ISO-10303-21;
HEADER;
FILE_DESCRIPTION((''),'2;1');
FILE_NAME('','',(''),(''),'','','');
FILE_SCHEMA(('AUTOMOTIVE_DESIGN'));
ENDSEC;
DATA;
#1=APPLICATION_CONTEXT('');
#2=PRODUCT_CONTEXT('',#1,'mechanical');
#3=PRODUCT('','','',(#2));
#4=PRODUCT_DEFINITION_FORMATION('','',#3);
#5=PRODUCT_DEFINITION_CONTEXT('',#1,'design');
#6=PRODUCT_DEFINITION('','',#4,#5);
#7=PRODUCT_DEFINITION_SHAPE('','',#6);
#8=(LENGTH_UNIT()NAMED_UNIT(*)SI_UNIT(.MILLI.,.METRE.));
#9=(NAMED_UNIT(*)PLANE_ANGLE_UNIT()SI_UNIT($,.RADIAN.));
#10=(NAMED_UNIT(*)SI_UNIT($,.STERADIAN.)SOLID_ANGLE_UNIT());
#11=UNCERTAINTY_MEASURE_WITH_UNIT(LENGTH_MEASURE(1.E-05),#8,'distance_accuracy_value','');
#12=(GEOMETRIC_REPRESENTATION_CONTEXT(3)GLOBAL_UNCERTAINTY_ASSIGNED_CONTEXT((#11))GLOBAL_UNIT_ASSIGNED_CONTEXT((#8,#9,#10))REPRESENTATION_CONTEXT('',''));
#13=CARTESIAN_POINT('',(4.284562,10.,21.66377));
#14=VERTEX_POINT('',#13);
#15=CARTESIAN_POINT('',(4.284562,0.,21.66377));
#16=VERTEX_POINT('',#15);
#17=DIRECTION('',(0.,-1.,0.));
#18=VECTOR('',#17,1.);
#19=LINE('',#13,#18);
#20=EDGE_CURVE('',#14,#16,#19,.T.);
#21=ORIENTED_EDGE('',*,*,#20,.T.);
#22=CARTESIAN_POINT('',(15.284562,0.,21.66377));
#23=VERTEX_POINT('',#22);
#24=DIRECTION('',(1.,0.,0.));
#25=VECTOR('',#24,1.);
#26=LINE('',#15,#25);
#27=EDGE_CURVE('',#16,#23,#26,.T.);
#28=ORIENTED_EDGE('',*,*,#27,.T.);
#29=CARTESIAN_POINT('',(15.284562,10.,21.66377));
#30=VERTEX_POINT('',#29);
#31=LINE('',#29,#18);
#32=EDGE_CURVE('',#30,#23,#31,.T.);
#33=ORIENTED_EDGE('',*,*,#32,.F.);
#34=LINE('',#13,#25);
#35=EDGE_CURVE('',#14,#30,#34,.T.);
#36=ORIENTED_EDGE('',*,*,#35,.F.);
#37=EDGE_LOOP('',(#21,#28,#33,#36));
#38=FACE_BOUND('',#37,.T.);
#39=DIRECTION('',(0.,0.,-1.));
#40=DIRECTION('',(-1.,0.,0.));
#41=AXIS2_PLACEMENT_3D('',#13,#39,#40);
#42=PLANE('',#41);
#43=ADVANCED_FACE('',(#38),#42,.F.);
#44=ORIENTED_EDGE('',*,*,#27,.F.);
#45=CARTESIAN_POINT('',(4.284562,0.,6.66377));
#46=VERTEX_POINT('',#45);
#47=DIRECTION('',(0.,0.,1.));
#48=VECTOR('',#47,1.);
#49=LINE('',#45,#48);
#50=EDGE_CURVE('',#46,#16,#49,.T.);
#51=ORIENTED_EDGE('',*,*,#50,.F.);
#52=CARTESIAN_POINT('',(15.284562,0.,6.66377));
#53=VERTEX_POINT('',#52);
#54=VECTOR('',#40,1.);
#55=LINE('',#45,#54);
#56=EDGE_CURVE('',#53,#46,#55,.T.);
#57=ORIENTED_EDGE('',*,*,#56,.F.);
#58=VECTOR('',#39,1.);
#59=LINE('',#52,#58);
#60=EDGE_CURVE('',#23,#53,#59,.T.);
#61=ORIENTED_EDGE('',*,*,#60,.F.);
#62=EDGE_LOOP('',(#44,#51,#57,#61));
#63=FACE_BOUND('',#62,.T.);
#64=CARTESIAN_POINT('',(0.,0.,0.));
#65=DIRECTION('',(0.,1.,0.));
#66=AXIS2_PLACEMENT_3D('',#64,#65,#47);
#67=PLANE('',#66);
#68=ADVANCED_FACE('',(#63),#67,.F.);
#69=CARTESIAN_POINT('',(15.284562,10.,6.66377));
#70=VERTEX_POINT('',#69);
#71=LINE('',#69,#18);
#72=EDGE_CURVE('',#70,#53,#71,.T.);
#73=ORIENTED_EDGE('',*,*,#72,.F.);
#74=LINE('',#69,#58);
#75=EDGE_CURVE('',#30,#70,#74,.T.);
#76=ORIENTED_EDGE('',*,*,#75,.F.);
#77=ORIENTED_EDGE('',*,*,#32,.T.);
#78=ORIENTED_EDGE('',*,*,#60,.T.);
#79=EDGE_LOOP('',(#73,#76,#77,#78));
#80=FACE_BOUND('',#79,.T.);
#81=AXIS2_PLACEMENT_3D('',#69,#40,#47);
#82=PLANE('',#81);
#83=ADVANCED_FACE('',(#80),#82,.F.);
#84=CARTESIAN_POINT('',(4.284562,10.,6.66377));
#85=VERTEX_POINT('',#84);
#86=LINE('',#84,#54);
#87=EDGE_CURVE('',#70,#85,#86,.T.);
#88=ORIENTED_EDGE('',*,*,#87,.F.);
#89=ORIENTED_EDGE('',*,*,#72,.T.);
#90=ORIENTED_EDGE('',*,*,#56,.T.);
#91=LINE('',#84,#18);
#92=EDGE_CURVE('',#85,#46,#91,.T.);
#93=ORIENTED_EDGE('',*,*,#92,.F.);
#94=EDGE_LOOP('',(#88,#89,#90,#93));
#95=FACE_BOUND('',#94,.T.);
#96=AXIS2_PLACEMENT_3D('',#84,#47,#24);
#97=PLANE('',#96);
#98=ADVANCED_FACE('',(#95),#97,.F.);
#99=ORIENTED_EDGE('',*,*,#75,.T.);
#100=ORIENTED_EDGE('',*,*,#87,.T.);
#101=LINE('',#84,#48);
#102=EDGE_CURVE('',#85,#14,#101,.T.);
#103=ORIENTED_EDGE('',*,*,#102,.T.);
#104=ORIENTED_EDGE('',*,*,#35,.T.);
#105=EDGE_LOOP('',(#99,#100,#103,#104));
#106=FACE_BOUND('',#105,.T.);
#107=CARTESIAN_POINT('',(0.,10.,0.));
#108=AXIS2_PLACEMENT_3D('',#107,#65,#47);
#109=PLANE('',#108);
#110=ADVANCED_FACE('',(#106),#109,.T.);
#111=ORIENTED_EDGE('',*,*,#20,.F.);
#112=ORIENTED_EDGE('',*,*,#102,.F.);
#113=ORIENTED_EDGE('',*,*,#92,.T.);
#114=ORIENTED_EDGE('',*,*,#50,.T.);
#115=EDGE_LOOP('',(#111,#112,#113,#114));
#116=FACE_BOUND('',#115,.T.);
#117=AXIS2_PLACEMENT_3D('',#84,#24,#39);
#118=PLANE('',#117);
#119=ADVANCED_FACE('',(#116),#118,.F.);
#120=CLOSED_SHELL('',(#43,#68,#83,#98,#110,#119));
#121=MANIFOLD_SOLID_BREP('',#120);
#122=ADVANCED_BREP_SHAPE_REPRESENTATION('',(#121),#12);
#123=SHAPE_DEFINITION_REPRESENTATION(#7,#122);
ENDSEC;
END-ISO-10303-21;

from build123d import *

# Parameters (mm, degrees)
SKETCH1_W           = 11
SKETCH1_H           = 15
BOSS_EXTRUDE1_DEPTH = 10


with BuildPart() as part:
    # Sketch1 → Boss-Extrude1 (new body)
    with BuildSketch(Plane(origin=(0, 0, 0), x_dir=(1, 0, 0), z_dir=(0, 1, 0))):
        with Locations((9.784562046, -14.163770472)):
            Rectangle(SKETCH1_W, SKETCH1_H)
    extrude(amount=BOSS_EXTRUDE1_DEPTH)


solid = part.part
